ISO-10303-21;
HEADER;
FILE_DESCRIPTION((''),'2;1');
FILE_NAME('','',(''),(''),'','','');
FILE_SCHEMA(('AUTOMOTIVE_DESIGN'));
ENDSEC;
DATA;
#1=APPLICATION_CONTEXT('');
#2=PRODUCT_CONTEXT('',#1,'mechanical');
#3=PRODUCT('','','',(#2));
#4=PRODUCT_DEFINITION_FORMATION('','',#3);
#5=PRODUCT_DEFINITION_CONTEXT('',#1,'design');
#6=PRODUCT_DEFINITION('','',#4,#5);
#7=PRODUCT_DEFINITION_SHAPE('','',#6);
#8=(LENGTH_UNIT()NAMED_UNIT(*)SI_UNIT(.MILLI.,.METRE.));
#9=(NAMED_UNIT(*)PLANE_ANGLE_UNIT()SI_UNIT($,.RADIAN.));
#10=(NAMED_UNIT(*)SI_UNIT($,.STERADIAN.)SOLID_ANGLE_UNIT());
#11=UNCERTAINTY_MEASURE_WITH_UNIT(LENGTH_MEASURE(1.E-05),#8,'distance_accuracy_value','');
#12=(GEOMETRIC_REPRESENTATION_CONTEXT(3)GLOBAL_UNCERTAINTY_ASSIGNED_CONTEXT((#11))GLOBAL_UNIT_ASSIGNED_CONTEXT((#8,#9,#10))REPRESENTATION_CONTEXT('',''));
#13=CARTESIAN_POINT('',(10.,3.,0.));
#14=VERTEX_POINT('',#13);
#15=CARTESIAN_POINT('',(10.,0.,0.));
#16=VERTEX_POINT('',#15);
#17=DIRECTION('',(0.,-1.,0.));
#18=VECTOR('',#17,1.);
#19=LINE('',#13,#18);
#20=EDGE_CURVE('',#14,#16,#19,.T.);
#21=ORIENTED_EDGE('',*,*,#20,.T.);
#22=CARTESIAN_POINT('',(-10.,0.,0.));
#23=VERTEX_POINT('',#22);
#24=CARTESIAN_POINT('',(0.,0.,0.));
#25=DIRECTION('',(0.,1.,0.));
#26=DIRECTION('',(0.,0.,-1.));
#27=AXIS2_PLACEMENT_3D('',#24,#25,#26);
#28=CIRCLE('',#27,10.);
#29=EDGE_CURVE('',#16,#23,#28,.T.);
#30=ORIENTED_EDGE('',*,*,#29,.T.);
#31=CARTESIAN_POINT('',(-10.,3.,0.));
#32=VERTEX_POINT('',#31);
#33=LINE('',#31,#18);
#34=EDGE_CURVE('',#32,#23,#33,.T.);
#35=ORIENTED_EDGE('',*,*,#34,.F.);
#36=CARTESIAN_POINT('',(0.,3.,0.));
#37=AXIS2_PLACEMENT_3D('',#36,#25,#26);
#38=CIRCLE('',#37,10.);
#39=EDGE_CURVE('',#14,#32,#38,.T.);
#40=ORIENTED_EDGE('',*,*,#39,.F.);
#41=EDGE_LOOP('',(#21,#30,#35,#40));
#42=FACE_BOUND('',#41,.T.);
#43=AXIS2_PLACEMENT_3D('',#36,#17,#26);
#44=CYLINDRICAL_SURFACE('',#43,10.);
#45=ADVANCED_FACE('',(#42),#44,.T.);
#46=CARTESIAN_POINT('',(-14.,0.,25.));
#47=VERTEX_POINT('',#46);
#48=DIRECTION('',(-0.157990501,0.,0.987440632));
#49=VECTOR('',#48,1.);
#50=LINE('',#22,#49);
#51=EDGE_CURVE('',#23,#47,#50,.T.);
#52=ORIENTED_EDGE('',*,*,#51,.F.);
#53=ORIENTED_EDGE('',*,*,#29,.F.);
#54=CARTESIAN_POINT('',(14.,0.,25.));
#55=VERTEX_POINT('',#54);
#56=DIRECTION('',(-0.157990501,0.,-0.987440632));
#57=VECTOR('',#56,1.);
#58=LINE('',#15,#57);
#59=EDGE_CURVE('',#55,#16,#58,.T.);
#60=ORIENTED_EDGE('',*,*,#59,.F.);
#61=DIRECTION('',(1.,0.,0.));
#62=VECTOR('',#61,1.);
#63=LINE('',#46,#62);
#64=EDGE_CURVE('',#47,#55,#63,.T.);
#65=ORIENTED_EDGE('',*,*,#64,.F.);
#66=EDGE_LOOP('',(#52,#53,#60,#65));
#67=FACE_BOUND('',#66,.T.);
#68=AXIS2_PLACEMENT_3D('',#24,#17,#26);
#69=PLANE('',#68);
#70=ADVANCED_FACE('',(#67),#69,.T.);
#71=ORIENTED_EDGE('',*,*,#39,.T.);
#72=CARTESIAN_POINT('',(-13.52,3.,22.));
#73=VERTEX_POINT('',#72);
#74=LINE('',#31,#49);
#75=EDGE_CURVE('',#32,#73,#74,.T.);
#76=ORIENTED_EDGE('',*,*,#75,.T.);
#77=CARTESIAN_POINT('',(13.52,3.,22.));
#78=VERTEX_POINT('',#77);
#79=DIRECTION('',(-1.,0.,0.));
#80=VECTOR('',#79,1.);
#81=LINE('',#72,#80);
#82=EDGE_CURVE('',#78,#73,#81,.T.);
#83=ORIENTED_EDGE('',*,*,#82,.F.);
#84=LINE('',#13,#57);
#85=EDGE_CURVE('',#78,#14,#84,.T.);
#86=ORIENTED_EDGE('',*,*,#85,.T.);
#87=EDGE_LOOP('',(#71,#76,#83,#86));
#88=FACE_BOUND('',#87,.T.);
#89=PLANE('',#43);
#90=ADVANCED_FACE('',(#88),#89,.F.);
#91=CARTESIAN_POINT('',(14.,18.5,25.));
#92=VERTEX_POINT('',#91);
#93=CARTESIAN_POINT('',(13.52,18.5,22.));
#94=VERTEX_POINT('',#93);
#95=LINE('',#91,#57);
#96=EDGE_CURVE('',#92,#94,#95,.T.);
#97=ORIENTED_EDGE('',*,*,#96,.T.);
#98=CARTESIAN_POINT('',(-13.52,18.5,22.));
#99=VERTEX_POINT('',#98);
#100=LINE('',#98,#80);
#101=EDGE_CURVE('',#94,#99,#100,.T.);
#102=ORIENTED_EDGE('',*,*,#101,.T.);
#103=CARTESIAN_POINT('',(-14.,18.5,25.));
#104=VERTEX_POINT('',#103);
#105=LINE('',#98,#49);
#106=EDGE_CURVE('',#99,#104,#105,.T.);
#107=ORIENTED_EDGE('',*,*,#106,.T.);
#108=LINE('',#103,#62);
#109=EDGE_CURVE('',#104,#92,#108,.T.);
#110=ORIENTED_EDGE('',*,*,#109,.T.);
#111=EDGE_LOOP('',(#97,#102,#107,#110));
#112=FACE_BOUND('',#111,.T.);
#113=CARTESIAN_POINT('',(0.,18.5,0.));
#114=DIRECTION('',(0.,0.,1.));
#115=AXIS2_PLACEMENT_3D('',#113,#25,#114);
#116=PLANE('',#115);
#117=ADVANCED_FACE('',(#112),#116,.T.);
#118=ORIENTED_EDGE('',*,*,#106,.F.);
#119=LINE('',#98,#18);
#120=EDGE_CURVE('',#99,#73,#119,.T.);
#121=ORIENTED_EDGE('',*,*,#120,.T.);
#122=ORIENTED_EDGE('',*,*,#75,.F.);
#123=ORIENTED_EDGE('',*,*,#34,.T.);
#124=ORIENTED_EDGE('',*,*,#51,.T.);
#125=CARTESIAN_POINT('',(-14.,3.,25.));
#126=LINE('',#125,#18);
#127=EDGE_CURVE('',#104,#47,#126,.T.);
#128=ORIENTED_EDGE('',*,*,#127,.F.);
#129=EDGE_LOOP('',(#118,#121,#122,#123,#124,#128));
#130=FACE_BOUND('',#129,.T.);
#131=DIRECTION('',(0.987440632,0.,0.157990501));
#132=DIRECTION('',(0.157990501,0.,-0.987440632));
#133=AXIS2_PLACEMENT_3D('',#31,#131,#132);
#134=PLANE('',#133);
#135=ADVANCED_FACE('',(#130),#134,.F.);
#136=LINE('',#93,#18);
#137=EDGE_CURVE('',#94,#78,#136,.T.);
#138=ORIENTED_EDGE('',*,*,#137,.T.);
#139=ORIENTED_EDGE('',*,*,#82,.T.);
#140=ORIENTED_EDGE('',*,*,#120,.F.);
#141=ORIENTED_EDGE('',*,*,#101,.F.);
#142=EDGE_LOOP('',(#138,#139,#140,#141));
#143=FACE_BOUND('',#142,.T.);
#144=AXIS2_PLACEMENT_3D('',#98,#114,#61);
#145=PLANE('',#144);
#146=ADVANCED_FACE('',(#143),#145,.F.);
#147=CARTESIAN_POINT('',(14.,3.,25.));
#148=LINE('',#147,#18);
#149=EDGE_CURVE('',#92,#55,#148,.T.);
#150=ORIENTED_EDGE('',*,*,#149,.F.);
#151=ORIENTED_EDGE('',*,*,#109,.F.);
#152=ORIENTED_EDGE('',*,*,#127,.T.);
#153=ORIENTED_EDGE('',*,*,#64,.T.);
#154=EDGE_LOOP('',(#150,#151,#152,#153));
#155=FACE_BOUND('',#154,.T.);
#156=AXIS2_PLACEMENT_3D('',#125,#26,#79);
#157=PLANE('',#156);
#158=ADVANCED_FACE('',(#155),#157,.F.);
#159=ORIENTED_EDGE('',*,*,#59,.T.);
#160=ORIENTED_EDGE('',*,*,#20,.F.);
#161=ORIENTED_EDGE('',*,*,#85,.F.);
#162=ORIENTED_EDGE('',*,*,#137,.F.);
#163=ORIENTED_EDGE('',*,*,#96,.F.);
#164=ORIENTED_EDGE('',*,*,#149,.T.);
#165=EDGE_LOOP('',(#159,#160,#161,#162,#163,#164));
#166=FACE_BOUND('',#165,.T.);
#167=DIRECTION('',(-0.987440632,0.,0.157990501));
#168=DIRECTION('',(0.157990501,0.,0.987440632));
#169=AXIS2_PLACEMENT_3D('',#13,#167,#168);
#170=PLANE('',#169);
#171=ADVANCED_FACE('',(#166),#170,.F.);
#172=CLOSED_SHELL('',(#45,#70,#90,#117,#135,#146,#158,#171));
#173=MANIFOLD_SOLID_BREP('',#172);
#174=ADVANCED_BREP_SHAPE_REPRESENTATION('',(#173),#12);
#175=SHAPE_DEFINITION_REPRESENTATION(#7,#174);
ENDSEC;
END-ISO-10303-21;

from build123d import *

# Parameters (mm, degrees)
BOSS_EXTRUDE1_DEPTH = 3
BOSS_EXTRUDE2_DEPTH = 15.5


with BuildPart() as part:
    # Sketch1 → Boss-Extrude1 (new body)
    with BuildSketch(Plane(origin=(0, 0, 0), x_dir=(1, 0, 0), z_dir=(0, 1, 0))):
        with BuildLine():
            Line((-10, 0), (-14, -25))
            Line((-14, -25), (14, -25))
            Line((14, -25), (10, 0))
            ThreePointArc((10, 0), (0, 10), (-10, 0))
        make_face()
    extrude(amount=BOSS_EXTRUDE1_DEPTH)

    # Sketch5 → Boss-Extrude2 (add)
    with BuildSketch(Plane(origin=(0, 3, 0), x_dir=(1, 0, 0), z_dir=(0, 1, 0))):
        Polygon((-13.52, -22), (13.52, -22), (14, -25), (-14, -25), align=None)
    extrude(amount=BOSS_EXTRUDE2_DEPTH)


solid = part.part
